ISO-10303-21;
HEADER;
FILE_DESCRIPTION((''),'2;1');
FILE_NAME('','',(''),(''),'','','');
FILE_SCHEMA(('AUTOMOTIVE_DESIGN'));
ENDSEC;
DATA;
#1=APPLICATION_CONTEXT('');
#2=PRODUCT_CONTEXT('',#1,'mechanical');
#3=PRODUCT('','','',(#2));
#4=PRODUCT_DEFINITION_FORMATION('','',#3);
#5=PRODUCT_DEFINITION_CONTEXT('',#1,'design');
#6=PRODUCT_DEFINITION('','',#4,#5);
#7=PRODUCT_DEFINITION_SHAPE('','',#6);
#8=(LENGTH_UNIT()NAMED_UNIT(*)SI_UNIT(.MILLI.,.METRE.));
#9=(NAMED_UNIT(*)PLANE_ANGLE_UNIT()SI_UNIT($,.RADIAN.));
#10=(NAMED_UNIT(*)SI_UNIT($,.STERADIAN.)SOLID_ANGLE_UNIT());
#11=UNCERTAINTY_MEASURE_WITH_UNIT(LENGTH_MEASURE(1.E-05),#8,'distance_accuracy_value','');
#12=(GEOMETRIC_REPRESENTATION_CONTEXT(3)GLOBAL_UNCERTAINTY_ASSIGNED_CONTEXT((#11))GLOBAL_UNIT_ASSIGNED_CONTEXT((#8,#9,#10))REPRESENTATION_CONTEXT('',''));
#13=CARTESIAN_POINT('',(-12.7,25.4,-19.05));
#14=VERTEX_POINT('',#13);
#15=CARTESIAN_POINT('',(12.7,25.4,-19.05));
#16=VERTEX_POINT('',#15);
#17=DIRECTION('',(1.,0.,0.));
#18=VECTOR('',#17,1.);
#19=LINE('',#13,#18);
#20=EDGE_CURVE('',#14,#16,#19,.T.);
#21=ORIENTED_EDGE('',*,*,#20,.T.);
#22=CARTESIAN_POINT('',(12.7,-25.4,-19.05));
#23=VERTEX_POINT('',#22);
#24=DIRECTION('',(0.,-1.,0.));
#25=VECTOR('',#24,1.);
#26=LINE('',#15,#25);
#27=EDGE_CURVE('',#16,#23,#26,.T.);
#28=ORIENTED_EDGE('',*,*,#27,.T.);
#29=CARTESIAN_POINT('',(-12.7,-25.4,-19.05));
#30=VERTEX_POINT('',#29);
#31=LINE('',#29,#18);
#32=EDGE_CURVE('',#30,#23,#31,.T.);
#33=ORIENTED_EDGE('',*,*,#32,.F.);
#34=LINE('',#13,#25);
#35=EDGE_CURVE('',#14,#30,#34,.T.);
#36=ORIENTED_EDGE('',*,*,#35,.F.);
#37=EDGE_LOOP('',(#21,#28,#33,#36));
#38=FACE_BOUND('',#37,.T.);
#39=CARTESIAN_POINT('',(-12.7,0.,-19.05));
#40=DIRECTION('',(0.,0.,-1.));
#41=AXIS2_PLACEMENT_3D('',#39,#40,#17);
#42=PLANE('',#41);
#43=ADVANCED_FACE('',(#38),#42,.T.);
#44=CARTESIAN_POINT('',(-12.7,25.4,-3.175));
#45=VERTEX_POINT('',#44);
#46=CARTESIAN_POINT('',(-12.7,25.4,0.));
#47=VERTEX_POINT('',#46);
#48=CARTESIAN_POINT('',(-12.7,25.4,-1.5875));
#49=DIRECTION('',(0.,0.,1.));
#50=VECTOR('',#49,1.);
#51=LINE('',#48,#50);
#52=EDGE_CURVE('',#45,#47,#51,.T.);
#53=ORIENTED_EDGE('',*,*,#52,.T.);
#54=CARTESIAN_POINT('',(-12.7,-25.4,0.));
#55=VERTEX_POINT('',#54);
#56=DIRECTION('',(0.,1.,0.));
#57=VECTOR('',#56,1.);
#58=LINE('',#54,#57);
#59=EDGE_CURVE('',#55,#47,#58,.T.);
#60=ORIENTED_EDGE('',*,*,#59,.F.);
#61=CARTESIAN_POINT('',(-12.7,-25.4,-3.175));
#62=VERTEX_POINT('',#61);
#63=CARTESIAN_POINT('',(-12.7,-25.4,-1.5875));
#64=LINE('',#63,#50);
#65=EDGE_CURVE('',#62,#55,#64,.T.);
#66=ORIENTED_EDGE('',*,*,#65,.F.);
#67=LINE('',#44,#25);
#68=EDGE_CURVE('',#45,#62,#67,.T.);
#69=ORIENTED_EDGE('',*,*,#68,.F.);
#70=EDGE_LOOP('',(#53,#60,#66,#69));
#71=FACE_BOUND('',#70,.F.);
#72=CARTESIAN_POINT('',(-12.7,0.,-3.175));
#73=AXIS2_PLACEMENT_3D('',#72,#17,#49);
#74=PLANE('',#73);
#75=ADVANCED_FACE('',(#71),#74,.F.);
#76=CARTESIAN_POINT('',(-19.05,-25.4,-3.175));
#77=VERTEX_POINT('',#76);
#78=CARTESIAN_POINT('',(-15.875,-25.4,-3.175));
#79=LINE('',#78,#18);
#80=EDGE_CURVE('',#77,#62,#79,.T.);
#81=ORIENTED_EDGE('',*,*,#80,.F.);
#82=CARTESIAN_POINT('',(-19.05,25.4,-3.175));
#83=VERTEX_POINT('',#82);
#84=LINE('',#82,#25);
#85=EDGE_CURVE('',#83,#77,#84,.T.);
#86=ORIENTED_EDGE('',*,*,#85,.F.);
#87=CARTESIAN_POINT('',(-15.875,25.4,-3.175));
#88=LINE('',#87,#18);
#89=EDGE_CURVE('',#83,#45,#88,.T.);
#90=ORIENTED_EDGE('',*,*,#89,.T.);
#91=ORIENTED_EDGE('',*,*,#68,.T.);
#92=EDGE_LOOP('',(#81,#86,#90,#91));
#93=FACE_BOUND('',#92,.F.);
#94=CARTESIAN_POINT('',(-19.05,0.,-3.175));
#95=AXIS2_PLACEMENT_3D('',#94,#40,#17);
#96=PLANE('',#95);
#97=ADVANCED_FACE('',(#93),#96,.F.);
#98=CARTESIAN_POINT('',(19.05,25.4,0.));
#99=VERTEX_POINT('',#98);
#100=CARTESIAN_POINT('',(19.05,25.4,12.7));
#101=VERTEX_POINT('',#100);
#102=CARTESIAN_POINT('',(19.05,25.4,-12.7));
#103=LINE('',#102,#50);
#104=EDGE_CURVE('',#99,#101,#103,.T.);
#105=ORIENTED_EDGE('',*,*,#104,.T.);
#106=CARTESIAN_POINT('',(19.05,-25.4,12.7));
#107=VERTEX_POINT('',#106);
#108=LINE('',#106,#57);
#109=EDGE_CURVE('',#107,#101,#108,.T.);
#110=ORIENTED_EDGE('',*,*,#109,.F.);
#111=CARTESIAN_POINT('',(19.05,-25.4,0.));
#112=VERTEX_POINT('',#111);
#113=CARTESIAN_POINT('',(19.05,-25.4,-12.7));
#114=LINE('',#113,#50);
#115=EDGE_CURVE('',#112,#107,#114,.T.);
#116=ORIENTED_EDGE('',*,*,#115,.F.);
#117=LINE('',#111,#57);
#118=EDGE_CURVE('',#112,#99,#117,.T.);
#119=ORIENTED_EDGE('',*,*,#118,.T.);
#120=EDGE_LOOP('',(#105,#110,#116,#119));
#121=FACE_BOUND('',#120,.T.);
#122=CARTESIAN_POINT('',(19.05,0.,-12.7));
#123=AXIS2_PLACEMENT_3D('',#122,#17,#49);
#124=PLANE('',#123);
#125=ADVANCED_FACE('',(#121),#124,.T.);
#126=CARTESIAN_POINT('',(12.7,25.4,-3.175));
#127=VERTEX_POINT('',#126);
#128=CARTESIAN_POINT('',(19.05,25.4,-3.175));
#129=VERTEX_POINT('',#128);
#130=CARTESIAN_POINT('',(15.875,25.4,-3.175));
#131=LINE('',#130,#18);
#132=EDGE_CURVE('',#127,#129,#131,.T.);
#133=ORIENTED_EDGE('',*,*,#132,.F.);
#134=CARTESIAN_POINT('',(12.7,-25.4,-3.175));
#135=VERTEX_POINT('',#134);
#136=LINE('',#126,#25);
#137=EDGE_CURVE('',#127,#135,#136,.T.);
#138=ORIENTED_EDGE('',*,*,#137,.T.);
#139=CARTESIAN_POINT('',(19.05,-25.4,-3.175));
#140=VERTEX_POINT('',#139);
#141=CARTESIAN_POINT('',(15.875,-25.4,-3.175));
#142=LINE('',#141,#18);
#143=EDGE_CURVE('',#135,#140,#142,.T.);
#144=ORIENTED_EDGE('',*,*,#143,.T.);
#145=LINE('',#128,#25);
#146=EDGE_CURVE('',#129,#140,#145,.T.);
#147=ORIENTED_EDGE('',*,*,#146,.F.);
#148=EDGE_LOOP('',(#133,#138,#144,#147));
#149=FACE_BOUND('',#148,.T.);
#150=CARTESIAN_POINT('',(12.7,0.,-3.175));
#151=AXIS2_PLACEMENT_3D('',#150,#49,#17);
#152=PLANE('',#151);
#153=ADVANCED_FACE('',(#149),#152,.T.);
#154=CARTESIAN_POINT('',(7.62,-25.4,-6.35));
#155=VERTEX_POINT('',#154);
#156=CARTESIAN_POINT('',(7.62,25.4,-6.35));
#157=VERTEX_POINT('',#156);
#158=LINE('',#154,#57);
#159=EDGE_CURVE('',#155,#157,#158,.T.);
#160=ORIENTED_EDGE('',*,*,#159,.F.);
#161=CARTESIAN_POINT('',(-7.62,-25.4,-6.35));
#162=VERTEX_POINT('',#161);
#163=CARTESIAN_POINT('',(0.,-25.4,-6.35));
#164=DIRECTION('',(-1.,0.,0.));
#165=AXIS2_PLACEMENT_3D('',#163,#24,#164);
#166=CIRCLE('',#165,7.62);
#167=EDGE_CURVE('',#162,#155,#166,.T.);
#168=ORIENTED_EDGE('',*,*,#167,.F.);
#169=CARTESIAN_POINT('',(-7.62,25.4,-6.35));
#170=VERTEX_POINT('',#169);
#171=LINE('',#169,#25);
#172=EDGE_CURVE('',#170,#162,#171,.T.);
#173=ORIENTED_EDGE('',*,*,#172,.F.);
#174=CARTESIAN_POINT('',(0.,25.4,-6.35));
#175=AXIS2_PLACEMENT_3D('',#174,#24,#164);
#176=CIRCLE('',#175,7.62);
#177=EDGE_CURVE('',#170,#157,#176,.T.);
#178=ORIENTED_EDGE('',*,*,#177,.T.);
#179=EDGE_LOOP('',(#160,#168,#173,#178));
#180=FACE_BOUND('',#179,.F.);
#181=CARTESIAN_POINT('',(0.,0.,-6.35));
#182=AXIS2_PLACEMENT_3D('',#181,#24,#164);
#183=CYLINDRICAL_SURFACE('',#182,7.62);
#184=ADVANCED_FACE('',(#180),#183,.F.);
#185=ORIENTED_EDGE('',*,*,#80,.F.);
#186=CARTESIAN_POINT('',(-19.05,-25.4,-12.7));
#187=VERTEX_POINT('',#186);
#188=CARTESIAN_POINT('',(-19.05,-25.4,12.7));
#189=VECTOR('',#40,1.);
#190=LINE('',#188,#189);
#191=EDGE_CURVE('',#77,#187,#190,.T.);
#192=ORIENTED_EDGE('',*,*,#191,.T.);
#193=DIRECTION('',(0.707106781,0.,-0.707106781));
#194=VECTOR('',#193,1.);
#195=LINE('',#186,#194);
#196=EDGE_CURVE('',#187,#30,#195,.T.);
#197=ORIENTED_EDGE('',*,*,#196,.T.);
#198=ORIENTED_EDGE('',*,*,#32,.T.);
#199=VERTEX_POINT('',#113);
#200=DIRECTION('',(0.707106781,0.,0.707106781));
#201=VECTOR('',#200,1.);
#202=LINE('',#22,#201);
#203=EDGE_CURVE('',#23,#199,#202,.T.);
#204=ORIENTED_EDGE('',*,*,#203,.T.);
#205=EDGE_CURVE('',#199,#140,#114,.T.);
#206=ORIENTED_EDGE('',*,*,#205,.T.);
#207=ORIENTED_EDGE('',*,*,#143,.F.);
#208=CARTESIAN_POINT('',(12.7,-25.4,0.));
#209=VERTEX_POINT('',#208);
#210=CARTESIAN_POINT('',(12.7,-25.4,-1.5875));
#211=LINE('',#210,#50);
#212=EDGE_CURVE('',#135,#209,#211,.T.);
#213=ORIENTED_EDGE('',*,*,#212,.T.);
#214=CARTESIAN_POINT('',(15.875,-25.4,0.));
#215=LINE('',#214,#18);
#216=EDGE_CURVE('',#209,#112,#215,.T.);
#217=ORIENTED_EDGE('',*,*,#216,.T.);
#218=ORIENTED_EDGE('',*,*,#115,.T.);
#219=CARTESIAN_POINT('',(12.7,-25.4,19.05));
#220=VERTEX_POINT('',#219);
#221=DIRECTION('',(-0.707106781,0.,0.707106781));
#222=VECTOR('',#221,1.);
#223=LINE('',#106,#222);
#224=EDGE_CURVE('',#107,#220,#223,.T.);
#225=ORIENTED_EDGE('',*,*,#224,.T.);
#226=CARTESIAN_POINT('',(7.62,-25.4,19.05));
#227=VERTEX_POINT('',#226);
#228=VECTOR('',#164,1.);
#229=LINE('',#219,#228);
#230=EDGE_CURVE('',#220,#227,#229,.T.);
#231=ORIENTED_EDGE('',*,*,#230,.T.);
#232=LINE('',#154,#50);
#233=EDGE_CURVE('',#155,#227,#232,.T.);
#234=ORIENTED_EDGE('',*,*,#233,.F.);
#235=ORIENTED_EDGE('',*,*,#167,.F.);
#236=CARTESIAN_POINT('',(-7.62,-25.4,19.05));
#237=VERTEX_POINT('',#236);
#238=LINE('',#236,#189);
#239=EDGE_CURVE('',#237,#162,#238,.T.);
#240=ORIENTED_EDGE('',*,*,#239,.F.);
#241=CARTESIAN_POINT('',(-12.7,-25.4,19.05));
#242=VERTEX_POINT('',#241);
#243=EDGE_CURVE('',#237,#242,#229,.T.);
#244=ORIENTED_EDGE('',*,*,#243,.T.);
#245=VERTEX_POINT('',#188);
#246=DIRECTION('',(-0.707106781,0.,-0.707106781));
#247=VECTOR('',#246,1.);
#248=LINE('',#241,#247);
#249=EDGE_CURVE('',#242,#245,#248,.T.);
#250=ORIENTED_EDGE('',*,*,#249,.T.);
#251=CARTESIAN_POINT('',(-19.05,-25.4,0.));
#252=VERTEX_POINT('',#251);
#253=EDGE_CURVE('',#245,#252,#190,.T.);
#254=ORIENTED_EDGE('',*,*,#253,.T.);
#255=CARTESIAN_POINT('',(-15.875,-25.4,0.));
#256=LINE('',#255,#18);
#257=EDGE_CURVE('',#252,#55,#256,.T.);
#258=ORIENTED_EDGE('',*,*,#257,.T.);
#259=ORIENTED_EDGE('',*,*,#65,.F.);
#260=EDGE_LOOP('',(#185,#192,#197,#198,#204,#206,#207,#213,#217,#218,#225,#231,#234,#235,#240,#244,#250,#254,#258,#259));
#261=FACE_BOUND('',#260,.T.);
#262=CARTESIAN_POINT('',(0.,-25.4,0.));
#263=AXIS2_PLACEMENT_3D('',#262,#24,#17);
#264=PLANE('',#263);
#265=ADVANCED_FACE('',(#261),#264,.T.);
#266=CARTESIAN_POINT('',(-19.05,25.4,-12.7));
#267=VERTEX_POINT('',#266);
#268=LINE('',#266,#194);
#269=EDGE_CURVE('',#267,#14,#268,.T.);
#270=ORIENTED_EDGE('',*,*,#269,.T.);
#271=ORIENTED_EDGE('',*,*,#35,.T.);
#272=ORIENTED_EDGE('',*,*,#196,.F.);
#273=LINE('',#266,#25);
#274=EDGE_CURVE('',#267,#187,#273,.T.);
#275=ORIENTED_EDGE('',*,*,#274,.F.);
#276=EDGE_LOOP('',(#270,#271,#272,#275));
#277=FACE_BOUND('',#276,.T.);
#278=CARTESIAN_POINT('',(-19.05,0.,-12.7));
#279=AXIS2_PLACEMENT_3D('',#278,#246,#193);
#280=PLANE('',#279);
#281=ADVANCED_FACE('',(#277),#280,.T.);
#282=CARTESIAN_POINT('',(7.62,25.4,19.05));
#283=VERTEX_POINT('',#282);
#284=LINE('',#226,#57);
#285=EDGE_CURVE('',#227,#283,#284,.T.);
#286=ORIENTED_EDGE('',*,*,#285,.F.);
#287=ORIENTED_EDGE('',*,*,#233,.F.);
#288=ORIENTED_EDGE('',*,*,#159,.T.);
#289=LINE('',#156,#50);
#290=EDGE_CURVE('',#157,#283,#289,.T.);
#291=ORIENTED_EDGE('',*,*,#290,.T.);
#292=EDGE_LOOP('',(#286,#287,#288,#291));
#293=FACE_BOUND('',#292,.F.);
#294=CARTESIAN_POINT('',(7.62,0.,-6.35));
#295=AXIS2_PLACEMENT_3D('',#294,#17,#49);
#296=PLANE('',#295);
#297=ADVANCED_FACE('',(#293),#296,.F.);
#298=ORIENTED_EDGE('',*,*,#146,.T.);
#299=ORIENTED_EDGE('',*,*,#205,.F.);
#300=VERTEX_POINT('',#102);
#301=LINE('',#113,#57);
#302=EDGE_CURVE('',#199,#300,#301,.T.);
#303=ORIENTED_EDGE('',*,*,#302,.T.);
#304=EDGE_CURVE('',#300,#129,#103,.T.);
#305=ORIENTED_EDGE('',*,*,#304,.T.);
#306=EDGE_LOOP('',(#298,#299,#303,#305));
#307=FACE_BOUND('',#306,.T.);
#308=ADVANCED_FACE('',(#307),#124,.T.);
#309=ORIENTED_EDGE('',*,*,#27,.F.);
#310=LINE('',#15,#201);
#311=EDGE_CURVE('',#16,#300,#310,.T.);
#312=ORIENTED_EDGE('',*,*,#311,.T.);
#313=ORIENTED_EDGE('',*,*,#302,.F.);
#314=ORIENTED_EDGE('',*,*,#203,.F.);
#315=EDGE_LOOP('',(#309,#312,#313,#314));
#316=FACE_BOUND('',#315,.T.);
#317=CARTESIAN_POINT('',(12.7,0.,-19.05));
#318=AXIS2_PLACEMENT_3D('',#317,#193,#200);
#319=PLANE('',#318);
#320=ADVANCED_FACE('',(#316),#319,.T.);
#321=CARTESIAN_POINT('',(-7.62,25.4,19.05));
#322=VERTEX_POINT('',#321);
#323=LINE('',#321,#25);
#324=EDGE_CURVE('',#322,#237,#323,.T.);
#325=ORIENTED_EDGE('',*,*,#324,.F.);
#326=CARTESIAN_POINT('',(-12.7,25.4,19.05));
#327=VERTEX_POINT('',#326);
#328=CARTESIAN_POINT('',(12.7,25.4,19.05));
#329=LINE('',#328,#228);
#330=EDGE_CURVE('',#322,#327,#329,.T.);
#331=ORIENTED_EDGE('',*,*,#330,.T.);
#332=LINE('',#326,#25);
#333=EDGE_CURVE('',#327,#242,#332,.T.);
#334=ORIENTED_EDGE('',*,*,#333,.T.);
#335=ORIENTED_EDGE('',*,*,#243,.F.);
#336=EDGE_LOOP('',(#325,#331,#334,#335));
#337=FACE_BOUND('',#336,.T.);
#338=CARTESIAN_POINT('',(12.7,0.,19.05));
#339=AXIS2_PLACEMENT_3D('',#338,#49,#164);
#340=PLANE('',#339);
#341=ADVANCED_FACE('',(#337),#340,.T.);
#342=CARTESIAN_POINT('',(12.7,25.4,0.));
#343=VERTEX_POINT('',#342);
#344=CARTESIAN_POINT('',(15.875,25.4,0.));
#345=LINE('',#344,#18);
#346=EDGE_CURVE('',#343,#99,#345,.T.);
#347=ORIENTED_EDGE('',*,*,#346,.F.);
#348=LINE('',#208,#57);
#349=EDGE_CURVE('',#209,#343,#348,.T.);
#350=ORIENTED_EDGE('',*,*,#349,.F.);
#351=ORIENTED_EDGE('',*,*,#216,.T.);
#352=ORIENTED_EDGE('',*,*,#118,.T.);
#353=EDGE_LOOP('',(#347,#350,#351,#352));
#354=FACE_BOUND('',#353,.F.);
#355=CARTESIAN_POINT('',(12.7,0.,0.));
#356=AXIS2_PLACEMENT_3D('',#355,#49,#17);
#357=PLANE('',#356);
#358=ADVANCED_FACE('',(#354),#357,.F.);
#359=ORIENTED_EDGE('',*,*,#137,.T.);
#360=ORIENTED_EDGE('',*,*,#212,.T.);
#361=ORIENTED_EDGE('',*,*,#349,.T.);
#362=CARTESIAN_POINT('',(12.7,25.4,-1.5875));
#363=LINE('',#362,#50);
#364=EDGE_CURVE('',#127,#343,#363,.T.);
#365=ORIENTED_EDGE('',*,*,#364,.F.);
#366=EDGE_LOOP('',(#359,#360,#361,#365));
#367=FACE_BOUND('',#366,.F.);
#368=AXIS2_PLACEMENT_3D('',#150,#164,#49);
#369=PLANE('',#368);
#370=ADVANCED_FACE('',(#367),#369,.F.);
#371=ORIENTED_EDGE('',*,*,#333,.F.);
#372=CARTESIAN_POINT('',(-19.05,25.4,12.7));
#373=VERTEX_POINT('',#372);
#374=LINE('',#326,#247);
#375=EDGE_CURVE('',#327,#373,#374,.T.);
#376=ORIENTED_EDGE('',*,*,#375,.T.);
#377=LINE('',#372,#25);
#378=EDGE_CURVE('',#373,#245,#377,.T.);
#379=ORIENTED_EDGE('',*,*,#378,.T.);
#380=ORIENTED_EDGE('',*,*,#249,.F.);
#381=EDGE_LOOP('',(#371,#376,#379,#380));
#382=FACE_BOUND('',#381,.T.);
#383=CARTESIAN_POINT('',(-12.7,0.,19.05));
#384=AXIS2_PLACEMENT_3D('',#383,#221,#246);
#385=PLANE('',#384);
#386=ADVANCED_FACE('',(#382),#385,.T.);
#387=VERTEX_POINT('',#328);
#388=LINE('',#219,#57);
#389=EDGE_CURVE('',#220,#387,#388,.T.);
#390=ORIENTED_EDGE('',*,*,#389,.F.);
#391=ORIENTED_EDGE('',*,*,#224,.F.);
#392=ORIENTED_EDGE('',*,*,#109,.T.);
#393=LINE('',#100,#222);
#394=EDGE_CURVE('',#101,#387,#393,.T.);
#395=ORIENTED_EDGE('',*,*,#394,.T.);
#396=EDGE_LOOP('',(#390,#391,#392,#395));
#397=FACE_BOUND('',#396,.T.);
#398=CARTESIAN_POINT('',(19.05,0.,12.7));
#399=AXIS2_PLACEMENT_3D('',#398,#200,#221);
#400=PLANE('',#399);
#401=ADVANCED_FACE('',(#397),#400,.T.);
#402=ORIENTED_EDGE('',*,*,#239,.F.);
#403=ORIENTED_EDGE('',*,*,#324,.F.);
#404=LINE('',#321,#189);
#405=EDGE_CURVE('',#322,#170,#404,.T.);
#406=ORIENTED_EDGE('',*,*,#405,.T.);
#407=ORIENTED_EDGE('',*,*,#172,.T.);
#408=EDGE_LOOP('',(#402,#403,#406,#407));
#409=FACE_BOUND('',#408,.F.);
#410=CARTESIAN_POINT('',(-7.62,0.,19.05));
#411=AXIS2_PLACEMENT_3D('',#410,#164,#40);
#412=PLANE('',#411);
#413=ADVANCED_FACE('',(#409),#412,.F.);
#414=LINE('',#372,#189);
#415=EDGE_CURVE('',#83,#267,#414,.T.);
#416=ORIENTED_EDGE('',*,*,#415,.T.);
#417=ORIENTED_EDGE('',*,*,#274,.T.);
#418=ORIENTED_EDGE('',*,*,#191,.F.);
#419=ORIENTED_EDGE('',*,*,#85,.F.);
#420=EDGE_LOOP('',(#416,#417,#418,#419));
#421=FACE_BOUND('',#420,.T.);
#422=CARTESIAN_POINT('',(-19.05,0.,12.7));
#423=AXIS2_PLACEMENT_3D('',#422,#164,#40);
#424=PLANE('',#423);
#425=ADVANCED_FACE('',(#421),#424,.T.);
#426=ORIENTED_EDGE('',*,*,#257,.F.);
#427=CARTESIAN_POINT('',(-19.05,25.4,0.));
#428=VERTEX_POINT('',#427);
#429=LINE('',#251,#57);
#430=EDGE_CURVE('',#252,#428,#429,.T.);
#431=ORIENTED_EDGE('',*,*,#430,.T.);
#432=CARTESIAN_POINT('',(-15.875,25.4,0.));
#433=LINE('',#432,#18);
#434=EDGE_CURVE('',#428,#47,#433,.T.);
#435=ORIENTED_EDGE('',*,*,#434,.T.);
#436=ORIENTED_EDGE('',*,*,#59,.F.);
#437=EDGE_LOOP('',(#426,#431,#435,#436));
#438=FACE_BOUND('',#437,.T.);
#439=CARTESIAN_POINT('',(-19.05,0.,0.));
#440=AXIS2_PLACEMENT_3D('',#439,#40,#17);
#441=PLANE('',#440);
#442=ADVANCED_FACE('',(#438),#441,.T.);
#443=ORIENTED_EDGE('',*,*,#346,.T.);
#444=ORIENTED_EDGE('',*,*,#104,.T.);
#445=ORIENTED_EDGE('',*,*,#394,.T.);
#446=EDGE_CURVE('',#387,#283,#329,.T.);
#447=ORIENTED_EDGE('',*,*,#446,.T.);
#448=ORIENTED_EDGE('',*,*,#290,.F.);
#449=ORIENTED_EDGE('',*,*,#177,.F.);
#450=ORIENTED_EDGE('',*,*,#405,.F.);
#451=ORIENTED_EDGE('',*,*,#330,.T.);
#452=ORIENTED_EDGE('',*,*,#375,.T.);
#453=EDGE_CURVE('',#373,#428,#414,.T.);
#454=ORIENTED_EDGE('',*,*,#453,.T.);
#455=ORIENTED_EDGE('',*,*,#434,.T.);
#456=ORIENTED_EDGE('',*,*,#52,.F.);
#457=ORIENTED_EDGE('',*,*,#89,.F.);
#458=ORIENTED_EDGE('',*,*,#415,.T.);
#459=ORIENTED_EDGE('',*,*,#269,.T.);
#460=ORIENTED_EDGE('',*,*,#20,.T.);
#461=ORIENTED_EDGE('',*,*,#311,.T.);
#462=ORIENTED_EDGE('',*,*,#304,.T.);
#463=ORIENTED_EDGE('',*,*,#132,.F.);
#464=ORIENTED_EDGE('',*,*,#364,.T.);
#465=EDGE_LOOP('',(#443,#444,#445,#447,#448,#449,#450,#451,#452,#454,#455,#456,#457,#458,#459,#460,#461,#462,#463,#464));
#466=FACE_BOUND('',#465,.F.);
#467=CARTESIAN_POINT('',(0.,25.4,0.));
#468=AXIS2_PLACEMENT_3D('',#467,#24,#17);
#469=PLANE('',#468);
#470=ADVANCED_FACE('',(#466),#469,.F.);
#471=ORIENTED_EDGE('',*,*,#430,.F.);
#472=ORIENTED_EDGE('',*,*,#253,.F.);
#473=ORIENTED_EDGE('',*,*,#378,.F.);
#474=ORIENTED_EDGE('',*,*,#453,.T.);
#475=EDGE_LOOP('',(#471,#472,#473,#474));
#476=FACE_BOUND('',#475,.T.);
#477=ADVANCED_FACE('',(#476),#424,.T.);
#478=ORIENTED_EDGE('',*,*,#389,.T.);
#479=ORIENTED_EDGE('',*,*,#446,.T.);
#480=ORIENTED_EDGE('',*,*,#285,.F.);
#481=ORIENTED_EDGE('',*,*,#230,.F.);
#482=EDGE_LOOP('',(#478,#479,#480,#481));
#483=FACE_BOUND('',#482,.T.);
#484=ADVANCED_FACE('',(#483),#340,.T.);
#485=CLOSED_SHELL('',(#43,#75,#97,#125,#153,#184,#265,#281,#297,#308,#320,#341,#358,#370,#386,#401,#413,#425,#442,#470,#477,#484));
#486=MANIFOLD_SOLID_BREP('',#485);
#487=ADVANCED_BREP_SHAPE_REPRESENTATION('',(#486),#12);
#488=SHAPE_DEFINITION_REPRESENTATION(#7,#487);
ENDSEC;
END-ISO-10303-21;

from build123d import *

# Parameters (mm, degrees)
F3_DEPTH = 25.4
F2_W     = 6.35
F2_H     = 3.175
F1_W     = 6.35
F1_H     = 3.175
F4_DEPTH = 25.4
F6_DEPTH = 25.4


with BuildPart() as f3:
    # F0 (on Front) → F3 (new body, symmetric)
    with BuildSketch(Plane.XZ):
        Polygon((12.7, 19.05), (-12.7, 19.05), (-19.05, 12.7), (-19.05, -12.7), (-12.7, -19.05), (12.7, -19.05), (19.05, -12.7), (19.05, 12.7), align=None)
    extrude(amount=F3_DEPTH, both=True)

    # F2 (on Front) + F1 (on Front) → F4 (cut, symmetric)
    with BuildSketch(Plane.XZ):
        with Locations((15.875, -1.5875)):
            Rectangle(F2_W, F2_H)
    with BuildSketch(Plane.XZ):
        with Locations((-15.875, -1.5875)):
            Rectangle(F1_W, F1_H)
    extrude(amount=F4_DEPTH, both=True, mode=Mode.SUBTRACT)

    # F5 (on Front) → F6 (cut, symmetric)
    with BuildSketch(Plane.XZ):
        with BuildLine():
            Line((7.62, 19.05), (-7.62, 19.05))
            Line((-7.62, 19.05), (-7.62, -6.35))
            ThreePointArc((-7.62, -6.35), (0, -13.97), (7.62, -6.35))
            Line((7.62, -6.35), (7.62, 19.05))
        make_face()
    extrude(amount=F6_DEPTH, both=True, mode=Mode.SUBTRACT)


solid = f3.part
